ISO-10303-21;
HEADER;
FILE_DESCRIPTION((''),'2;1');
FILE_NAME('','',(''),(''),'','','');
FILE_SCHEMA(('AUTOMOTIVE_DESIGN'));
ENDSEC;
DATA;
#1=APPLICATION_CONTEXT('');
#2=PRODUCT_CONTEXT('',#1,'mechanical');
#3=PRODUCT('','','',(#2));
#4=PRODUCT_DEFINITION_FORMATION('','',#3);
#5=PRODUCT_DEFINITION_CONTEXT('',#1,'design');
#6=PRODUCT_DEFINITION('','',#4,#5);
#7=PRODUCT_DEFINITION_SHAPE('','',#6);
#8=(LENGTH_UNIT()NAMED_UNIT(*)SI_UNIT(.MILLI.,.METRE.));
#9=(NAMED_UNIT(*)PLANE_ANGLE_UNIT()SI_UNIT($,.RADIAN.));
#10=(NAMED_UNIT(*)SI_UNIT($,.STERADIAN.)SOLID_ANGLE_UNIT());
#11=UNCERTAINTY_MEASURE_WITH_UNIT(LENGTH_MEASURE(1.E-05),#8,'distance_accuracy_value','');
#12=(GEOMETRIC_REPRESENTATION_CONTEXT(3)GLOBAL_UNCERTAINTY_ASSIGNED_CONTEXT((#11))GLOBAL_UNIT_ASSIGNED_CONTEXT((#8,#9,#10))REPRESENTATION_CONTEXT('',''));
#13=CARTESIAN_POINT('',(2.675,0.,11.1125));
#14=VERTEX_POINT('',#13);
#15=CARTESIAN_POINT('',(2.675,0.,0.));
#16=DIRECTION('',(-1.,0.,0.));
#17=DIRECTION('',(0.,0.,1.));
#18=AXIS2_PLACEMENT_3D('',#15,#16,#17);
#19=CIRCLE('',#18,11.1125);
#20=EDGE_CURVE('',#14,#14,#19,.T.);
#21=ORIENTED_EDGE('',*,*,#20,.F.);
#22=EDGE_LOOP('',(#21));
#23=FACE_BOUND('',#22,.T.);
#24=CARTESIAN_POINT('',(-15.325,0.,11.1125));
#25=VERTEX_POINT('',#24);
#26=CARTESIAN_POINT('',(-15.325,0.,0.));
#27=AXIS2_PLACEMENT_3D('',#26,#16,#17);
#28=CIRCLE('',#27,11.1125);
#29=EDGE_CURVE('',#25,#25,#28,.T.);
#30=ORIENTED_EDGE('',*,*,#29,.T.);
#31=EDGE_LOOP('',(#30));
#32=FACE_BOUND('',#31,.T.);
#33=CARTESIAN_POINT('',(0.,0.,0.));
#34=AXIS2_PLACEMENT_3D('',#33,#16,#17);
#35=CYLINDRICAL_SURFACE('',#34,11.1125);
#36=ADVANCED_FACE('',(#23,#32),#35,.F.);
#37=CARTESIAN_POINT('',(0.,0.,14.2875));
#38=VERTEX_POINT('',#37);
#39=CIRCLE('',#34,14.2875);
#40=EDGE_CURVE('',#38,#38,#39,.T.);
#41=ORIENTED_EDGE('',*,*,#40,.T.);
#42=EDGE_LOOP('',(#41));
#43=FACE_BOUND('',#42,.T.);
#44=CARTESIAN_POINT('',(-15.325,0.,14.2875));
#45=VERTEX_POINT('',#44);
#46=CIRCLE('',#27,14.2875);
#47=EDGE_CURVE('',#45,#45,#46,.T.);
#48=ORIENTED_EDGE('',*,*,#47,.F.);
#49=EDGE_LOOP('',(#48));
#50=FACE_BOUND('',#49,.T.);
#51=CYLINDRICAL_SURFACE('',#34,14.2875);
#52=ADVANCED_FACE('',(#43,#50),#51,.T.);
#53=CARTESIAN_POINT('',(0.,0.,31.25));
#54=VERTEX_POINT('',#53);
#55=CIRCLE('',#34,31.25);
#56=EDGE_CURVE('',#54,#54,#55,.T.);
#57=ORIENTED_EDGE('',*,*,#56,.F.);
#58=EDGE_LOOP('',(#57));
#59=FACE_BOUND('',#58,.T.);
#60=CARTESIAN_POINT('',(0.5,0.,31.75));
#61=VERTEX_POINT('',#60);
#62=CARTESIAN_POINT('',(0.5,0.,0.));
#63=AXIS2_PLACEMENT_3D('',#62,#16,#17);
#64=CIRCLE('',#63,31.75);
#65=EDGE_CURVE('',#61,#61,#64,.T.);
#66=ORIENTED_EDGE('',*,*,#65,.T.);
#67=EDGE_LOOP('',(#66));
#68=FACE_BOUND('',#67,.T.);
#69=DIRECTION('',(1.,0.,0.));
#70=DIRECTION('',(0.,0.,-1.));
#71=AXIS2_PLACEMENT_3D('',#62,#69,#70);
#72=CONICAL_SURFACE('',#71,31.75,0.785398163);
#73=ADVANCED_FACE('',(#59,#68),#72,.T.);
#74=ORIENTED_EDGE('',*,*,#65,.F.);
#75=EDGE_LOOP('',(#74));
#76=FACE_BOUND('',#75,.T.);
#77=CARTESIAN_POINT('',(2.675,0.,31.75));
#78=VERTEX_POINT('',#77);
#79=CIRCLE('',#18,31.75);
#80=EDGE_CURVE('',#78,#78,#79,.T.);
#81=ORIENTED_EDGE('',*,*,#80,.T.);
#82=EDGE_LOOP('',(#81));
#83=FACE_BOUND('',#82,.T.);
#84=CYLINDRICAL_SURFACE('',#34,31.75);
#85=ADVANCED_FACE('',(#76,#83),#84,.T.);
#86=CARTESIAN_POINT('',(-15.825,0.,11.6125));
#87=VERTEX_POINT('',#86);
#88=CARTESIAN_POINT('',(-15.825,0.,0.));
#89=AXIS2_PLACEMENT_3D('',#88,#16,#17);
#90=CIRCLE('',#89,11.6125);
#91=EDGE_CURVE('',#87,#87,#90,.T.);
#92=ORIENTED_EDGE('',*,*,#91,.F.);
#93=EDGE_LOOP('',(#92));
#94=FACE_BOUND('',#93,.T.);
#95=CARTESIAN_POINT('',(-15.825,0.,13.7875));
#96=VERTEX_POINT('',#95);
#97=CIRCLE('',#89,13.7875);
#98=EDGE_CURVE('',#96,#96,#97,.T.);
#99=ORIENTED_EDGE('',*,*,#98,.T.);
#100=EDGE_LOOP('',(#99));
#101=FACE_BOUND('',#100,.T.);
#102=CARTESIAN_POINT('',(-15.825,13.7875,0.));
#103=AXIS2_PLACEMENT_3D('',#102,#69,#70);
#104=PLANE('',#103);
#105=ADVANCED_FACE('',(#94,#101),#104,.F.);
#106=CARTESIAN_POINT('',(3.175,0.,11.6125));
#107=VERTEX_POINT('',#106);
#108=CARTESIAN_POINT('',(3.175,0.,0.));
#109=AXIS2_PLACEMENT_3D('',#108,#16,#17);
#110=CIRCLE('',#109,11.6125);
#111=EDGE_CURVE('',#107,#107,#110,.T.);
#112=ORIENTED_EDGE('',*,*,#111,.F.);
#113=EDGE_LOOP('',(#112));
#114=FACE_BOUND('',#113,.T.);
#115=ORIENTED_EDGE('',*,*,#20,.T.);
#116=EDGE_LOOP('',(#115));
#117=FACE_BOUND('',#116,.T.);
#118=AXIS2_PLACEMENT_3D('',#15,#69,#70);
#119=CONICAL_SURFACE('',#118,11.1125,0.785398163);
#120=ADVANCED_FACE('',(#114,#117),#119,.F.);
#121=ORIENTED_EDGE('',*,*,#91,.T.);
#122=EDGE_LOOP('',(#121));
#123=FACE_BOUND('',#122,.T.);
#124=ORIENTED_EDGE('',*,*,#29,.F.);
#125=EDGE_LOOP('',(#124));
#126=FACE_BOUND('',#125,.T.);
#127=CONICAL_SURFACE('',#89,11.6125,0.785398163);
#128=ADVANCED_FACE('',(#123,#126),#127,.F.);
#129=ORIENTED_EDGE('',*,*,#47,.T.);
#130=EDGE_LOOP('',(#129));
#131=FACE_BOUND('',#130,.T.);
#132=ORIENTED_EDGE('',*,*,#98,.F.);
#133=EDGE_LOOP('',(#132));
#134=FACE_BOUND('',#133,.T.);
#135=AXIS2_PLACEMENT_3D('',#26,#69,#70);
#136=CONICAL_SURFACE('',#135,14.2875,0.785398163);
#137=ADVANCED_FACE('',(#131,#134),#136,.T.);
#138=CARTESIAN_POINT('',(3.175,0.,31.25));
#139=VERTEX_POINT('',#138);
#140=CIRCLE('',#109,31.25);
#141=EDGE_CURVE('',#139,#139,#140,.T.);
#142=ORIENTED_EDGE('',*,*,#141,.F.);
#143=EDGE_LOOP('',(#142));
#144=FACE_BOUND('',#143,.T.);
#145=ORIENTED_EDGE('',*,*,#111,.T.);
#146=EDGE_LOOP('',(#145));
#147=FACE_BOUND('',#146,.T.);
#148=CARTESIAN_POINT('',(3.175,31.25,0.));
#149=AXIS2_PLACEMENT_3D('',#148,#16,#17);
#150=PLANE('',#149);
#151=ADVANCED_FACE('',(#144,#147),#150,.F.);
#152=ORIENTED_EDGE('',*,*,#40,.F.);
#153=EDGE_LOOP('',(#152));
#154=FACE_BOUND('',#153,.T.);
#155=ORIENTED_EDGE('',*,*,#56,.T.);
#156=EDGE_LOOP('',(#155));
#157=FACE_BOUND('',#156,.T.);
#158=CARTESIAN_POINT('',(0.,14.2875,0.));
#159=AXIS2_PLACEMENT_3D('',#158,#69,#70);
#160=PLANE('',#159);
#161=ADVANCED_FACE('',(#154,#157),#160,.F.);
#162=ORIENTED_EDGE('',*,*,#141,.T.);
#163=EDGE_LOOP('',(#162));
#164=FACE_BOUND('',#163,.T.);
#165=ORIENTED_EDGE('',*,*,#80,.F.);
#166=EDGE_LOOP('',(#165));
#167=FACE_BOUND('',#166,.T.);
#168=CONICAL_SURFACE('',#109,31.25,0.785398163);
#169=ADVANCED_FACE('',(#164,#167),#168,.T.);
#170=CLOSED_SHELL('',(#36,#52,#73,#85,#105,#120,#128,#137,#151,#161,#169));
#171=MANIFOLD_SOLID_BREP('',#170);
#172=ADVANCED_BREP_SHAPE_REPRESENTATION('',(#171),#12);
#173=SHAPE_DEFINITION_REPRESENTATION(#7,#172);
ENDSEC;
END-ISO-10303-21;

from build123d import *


with BuildPart() as part:
    # Sketch1 → Revolve1 (revolve)
    with BuildSketch(Plane.XY, mode=Mode.PRIVATE) as revolve1_sk:
        Polygon((-15.825, 13.7875), (-15.825, 11.6125), (-15.325, 11.1125), (2.675, 11.1125), (3.175, 11.6125), (3.175, 31.25), (2.675, 31.75), (0.5, 31.75), (0, 31.25), (0, 14.2875), (-15.325, 14.2875), align=None)
    revolve(revolve1_sk.sketch.rotate(Axis((0, 0, 0), (1, 0, 0)), 90), axis=Axis((0, 0, 0), (1, 0, 0)))


solid = part.part
